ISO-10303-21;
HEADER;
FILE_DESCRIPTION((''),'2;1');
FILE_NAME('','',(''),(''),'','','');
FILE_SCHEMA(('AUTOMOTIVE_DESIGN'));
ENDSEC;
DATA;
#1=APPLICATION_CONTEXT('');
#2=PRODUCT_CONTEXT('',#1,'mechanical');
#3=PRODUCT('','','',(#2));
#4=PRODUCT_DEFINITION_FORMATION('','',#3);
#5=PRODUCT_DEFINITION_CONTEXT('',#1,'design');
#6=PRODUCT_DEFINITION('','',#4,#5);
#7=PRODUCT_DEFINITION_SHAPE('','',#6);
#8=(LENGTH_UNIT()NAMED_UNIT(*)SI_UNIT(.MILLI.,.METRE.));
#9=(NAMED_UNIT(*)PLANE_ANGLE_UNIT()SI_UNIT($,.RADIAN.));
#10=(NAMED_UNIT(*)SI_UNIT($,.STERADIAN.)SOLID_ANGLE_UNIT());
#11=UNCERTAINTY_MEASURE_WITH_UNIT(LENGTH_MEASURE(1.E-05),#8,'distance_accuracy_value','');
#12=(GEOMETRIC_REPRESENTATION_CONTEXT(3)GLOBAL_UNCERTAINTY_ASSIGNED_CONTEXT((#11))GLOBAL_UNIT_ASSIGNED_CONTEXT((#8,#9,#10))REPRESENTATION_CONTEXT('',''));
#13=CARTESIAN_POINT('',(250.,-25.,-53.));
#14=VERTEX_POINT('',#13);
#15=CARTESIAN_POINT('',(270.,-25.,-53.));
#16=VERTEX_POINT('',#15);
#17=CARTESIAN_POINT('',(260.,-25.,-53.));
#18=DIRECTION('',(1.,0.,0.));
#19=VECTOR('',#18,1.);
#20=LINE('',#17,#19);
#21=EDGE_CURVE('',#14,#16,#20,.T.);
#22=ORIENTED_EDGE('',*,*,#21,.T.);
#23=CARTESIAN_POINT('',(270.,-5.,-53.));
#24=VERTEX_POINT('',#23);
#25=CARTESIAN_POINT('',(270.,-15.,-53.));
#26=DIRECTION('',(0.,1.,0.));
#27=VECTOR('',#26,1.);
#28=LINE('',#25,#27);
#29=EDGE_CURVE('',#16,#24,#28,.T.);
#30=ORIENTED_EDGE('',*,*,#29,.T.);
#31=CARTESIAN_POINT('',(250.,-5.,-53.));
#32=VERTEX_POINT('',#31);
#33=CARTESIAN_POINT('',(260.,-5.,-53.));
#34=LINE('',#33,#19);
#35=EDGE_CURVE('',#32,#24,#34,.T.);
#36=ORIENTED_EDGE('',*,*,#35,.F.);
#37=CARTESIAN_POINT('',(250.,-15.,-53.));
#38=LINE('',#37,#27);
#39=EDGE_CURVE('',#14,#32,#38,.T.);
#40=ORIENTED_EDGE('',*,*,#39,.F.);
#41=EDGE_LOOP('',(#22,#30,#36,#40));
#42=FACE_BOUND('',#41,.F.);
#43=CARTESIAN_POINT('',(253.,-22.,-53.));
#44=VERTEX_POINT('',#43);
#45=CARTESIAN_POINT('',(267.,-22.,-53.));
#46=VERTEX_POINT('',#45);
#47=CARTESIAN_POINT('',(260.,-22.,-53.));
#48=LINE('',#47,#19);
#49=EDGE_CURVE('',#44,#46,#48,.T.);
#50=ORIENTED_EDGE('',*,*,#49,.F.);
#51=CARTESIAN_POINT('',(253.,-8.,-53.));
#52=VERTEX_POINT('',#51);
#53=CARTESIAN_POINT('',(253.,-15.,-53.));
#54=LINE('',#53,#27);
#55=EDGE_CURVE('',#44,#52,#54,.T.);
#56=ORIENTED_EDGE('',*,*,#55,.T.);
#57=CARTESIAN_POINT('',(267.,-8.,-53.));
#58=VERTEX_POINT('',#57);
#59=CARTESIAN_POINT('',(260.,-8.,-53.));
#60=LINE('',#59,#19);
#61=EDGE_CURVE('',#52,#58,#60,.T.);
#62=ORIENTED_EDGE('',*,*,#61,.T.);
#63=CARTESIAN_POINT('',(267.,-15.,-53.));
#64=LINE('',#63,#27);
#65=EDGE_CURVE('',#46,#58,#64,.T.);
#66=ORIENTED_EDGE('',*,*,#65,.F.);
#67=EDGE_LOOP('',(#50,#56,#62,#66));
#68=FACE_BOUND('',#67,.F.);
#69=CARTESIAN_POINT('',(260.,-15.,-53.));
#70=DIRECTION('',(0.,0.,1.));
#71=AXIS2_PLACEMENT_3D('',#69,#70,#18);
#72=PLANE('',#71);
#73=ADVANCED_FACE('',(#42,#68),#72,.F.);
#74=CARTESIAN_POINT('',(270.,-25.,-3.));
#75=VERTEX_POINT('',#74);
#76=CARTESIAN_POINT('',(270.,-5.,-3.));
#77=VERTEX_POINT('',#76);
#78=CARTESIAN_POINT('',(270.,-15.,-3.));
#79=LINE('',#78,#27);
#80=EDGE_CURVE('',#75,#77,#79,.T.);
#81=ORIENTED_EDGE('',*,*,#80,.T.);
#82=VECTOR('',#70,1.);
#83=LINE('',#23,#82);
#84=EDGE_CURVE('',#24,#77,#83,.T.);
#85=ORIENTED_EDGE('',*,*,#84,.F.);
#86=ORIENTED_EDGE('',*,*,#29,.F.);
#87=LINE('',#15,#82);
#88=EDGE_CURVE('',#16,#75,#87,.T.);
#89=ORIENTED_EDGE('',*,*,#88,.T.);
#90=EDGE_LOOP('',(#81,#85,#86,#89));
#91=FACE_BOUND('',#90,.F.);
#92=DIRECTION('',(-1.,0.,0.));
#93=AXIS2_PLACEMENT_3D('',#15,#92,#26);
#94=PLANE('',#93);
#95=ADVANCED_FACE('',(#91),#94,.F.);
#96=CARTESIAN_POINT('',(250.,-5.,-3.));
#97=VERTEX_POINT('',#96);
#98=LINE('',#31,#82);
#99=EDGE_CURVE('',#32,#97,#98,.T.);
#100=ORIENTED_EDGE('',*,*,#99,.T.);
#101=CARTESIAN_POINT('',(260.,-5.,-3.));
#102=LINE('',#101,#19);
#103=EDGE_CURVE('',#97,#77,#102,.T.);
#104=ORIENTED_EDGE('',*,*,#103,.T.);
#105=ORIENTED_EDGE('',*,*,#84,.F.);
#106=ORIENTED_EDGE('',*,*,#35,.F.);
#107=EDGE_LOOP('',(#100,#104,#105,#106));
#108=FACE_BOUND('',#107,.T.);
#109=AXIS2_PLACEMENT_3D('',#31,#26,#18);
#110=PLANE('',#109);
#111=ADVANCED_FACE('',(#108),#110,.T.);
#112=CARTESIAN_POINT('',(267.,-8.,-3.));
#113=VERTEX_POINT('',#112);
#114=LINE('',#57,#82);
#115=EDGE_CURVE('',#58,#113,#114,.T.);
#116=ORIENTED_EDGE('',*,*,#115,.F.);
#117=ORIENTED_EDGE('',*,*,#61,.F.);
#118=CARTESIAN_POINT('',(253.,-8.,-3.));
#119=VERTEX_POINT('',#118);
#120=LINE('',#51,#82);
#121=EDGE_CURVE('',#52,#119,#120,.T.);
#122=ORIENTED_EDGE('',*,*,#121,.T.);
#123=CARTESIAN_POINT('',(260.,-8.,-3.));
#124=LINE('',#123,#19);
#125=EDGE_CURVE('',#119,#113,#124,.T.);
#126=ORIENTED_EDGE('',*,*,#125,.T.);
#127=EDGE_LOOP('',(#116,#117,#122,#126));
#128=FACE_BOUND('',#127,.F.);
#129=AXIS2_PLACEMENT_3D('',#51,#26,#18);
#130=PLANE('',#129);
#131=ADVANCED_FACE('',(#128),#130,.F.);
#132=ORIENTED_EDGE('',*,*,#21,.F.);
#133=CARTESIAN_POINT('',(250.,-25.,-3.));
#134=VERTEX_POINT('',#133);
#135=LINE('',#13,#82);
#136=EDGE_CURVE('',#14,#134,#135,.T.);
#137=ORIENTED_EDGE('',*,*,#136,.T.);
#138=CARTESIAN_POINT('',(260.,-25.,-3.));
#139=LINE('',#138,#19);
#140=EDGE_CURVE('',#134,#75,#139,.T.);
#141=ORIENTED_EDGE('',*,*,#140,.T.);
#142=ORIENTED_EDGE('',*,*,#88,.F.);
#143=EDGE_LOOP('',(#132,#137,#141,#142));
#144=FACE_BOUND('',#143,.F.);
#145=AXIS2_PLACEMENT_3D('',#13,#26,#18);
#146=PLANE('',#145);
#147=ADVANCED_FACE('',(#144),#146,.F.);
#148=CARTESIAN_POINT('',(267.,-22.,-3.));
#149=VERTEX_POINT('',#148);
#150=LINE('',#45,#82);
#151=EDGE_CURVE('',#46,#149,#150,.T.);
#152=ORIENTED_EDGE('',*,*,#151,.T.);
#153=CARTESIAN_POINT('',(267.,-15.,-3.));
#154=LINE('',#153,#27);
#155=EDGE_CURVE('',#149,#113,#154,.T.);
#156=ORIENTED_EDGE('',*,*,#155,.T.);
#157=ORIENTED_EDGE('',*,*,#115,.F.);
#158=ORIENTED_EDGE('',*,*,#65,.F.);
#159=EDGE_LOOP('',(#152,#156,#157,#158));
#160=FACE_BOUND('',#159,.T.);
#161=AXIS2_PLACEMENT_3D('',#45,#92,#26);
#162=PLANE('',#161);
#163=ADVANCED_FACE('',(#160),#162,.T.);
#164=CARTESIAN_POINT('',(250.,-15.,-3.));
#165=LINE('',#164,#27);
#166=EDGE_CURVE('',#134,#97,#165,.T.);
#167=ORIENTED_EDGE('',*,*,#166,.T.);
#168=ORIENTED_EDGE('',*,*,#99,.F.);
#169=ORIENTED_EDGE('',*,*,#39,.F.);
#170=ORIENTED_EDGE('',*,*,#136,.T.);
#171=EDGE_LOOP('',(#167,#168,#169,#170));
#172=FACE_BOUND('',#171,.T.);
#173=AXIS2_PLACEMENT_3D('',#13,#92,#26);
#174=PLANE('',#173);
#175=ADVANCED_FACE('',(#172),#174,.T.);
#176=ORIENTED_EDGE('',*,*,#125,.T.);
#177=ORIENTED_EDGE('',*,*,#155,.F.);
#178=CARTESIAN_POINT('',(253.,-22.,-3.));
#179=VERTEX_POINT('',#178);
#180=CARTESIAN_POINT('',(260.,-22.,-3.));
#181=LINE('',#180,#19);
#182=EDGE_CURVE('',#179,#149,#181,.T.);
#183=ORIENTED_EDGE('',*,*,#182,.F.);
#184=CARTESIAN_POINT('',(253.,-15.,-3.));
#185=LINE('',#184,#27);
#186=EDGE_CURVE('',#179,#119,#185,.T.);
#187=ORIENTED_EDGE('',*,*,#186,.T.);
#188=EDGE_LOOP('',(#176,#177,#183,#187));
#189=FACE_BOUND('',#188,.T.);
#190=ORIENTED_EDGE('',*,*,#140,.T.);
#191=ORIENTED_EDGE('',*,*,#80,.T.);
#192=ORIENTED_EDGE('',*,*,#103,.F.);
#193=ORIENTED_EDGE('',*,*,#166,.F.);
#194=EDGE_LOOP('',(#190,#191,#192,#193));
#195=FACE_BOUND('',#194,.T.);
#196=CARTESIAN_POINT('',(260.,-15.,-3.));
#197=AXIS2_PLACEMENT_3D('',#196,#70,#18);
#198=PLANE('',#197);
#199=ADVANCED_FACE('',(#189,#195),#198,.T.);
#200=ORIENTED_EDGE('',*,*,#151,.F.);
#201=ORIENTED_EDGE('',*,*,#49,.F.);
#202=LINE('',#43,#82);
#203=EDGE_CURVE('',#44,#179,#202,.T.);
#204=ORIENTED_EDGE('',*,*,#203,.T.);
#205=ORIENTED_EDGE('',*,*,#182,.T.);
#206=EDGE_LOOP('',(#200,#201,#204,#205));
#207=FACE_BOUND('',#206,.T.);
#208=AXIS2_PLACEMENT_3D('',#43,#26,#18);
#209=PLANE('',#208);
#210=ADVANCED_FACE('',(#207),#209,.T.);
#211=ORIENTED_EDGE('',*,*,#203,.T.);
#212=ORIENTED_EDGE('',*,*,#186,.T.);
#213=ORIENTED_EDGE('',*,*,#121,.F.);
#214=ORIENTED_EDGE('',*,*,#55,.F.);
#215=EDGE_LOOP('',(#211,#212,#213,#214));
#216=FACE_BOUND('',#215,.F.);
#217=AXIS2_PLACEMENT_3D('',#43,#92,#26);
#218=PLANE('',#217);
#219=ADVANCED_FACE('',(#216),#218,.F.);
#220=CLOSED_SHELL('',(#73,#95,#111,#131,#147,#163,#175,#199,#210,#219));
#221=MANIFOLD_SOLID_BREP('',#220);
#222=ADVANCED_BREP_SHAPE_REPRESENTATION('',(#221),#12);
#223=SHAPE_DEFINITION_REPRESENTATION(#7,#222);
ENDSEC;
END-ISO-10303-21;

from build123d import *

# Parameters (mm, degrees)
BOX095_W     = 14
BOX095_H     = 14
BOX095_DEPTH = 50
BOX094_W     = 20
BOX094_H     = 20
BOX094_DEPTH = 50


with BuildPart() as cube063:
    # Box095 → Box095 (new body)
    with BuildSketch(Plane(origin=(253, -22, -50), x_dir=(1, 0, 0), z_dir=(0, 0, 1))):
        with Locations((7, 7)):
            Rectangle(BOX095_W, BOX095_H)
    extrude(amount=BOX095_DEPTH)


with BuildPart() as cut114:
    # Box094 → Box094 (new body)
    with BuildSketch(Plane(origin=(250, -25, -50), x_dir=(1, 0, 0), z_dir=(0, 0, 1))):
        with Locations((10, 10)):
            Rectangle(BOX094_W, BOX094_H)
    extrude(amount=BOX094_DEPTH)

    # Cut114: cut Cube063
    add(cube063.part, mode=Mode.SUBTRACT)


with BuildPart() as cut114_1:
    # Cut114 placement: moved
    add(cut114.part.moved(Location((0, 0, -3))))


solid = cut114_1.part
